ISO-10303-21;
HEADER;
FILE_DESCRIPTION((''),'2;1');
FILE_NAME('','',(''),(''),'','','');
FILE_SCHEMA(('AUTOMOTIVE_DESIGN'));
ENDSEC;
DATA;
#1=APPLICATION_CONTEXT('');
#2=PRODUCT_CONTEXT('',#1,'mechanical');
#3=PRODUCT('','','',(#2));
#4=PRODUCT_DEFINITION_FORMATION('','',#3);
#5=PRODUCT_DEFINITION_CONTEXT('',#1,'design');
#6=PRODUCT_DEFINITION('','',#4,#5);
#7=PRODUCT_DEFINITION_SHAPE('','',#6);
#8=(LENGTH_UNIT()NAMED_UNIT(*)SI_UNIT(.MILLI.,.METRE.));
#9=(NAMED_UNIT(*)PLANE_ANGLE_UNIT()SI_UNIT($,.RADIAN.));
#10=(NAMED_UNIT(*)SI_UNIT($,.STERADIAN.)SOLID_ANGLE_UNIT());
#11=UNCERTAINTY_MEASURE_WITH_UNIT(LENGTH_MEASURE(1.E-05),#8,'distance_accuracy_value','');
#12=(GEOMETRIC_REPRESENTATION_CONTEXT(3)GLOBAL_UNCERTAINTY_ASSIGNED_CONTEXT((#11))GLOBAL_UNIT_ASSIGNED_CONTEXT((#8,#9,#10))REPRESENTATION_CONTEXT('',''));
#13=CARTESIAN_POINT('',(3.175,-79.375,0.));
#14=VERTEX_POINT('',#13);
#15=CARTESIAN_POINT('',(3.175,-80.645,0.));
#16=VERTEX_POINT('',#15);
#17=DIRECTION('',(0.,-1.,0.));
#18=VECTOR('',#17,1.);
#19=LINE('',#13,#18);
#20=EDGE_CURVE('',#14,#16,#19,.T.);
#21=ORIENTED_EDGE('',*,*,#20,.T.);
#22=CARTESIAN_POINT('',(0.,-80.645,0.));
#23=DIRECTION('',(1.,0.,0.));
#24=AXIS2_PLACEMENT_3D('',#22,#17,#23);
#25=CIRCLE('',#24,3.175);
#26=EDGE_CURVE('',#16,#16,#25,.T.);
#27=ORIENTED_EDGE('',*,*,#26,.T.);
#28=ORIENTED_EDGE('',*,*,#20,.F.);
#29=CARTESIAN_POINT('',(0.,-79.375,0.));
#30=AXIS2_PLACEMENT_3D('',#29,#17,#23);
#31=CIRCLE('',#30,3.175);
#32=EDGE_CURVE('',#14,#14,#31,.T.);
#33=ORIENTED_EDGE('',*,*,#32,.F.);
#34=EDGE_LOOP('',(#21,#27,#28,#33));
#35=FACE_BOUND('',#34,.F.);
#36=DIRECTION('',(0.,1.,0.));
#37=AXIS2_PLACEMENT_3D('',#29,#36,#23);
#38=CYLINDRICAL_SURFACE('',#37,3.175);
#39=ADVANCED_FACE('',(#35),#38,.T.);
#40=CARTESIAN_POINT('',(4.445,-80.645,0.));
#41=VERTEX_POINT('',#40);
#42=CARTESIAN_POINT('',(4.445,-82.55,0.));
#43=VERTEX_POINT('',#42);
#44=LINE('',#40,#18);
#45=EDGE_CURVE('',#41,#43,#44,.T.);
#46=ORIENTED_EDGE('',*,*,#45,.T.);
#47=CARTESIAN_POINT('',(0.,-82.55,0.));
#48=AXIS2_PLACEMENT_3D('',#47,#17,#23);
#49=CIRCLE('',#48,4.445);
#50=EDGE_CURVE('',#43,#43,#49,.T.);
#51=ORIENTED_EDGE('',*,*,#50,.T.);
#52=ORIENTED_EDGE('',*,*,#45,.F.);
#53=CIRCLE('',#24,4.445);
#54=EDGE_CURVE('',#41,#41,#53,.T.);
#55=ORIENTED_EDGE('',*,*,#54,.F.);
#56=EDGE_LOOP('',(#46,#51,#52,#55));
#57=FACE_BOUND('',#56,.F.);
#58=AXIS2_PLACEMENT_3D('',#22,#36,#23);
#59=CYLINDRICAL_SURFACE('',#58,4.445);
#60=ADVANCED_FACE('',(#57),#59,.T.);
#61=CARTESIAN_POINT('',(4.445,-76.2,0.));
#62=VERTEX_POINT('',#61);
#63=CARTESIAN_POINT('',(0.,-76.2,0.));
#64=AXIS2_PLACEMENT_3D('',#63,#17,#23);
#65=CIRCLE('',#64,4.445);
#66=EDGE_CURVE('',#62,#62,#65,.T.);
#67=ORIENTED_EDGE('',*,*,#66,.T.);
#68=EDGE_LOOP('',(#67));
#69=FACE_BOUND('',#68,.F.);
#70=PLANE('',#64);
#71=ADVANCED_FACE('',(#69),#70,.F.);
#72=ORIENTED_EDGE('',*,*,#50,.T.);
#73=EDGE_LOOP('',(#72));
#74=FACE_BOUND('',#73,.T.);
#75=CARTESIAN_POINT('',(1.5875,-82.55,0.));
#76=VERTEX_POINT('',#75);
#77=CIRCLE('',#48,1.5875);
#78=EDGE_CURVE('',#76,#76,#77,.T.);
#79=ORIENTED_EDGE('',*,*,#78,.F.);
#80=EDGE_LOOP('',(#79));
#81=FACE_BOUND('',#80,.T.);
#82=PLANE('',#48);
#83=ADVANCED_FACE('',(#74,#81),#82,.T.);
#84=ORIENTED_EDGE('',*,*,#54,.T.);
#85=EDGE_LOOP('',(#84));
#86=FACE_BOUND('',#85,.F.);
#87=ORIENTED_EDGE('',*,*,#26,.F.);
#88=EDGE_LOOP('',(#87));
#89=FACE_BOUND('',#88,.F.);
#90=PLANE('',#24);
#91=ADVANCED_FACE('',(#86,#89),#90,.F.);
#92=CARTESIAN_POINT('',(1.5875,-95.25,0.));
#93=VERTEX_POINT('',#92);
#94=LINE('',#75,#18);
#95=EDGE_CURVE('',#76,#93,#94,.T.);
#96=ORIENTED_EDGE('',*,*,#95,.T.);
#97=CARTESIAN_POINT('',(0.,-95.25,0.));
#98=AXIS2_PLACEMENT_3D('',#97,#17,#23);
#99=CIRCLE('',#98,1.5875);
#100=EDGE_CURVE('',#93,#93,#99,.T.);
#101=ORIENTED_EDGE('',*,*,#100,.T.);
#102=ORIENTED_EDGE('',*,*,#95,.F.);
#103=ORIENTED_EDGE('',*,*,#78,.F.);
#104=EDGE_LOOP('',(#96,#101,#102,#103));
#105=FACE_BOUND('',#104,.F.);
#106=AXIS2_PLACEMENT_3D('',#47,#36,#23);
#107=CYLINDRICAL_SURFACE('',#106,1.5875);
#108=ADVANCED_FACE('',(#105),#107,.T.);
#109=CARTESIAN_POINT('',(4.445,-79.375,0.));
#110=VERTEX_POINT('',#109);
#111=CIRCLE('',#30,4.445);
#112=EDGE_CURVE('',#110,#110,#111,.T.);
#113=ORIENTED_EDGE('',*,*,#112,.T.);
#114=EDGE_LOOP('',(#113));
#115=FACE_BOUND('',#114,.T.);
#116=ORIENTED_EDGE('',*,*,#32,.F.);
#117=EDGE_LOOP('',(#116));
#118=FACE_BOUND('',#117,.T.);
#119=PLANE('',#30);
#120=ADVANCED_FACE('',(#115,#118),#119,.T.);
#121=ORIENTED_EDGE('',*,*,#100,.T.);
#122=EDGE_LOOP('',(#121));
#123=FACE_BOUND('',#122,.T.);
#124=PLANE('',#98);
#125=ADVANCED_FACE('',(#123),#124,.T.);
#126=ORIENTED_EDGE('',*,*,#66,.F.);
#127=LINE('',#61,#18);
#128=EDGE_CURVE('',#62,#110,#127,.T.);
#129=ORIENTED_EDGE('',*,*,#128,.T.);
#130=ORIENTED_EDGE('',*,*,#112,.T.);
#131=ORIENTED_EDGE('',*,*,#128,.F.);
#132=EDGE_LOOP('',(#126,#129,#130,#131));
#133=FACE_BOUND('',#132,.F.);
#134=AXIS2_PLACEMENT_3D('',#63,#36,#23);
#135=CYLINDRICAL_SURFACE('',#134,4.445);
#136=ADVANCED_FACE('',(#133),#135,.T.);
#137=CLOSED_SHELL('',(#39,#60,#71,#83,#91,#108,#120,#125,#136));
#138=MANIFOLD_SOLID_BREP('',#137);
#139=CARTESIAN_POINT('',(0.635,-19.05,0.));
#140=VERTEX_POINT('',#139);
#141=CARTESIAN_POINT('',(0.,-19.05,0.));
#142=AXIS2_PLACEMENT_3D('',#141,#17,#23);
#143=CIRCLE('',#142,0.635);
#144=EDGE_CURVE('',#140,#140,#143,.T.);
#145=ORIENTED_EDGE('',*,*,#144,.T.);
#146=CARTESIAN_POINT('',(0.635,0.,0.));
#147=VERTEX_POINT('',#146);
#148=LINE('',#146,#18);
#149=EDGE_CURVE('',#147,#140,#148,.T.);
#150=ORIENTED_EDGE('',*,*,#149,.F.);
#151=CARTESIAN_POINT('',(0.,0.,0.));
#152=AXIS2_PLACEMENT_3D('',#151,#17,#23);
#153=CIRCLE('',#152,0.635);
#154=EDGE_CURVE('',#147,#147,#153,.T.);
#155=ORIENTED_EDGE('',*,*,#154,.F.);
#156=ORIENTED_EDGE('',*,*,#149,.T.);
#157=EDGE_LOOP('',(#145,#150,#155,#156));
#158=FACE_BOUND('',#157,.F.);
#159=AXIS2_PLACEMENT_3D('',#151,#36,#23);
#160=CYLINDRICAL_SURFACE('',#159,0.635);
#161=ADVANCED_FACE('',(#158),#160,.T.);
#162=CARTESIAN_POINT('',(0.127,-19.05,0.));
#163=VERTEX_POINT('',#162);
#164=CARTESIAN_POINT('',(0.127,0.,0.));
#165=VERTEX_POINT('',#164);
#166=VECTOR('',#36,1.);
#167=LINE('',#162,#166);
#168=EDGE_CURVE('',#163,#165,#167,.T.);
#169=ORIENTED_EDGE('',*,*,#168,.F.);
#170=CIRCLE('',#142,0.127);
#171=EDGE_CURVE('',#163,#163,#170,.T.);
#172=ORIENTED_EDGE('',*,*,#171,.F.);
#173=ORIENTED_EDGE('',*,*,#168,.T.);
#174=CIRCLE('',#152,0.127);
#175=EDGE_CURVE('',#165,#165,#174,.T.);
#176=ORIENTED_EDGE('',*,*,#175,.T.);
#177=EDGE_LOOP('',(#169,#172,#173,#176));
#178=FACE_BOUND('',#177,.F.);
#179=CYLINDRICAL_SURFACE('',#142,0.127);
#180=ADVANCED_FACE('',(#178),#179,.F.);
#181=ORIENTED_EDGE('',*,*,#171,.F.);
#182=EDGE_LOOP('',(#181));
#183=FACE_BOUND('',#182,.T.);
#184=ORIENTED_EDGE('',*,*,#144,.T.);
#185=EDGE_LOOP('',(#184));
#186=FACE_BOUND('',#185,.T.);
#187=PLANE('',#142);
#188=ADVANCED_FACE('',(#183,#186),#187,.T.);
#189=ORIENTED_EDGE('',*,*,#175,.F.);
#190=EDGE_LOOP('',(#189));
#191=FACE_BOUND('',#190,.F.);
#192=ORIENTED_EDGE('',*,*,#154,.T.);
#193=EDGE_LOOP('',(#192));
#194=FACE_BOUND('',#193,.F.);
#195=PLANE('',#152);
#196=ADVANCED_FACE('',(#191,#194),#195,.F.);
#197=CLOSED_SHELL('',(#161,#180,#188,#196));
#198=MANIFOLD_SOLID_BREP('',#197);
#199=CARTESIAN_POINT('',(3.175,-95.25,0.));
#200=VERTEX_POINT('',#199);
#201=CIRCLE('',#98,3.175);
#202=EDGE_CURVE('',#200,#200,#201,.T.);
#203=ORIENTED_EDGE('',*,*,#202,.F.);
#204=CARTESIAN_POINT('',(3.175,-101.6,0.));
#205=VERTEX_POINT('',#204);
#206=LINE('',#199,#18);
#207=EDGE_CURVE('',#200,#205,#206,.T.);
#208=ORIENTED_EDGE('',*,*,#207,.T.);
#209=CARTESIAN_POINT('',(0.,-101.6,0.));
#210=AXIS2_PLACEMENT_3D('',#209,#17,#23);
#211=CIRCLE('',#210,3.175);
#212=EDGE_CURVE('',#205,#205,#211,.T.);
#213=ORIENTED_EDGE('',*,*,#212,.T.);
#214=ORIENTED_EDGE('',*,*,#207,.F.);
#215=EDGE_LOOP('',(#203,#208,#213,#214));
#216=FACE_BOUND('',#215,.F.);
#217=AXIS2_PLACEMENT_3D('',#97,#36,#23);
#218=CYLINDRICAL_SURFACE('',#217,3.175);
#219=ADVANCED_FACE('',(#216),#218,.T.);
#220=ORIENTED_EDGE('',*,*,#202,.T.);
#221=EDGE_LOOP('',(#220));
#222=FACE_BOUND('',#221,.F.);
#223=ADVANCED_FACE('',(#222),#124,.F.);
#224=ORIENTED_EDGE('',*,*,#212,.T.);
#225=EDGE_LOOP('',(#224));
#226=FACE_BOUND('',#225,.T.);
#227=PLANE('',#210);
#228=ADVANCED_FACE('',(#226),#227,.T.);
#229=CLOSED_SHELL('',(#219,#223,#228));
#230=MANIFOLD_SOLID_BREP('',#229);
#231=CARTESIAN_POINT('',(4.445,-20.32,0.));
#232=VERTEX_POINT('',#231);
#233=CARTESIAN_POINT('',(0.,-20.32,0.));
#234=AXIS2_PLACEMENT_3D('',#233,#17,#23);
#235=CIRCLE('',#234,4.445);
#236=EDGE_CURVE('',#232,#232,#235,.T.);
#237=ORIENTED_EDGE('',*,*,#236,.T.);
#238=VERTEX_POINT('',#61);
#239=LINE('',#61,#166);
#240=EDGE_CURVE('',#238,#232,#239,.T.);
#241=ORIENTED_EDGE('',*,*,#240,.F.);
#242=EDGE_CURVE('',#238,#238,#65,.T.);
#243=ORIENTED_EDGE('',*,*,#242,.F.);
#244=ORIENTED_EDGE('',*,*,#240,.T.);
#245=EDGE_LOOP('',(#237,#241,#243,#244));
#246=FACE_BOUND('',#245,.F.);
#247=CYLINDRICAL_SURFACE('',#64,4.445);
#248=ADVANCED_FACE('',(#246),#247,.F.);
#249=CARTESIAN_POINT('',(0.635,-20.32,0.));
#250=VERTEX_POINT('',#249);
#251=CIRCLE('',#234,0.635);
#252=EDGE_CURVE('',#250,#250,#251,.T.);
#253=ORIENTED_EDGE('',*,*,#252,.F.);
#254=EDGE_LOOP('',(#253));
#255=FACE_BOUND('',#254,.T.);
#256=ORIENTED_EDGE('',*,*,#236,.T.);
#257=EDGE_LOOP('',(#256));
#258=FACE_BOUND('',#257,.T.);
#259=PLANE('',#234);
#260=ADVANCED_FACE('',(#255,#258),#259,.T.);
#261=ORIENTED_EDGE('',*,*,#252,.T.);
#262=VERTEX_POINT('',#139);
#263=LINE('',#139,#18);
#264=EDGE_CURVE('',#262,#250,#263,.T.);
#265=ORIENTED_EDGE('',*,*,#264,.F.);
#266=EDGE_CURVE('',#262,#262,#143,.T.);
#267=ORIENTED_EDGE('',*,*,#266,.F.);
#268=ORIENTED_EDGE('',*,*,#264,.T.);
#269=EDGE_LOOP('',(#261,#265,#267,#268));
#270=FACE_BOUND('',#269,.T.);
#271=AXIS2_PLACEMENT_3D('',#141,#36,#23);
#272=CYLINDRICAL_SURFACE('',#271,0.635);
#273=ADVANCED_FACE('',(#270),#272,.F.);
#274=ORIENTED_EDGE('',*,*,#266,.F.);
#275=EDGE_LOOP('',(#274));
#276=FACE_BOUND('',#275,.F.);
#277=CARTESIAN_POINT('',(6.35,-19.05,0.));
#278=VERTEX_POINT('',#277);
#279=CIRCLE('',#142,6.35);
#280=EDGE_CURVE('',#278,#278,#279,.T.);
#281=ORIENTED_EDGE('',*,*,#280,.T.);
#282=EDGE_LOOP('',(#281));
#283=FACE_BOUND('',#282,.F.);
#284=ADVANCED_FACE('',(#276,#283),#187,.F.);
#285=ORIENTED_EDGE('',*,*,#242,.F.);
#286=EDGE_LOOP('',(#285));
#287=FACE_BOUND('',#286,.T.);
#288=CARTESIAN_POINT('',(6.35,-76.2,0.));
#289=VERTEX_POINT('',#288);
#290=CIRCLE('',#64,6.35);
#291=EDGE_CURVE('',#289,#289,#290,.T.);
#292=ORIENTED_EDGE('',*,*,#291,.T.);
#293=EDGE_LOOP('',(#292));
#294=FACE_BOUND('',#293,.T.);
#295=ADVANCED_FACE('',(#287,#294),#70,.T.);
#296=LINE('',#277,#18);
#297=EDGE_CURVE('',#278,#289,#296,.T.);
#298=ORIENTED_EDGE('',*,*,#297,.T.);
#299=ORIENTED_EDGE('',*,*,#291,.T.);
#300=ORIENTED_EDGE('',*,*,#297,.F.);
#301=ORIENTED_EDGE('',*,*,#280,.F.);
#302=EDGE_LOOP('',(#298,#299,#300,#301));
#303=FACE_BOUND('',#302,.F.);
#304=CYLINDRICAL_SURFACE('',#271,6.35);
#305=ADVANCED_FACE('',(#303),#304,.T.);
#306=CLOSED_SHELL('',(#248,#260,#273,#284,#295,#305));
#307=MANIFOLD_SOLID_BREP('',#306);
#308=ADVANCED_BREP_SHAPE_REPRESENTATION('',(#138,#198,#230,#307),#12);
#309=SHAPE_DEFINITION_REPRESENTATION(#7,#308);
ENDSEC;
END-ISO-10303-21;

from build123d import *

# Parameters (mm, degrees)
F0_R      = 0.635
F1_DEPTH  = 19.05
F2_R      = 0.127
F3_DEPTH  = 25.4
F4_R      = 6.35
F4_R_2    = 0.635
F5_DEPTH  = 57.15
F6_R      = 4.445
F6_R_2    = 0.635
F7_DEPTH  = 55.88
F8_R      = 4.445
F9_DEPTH  = 3.175
F10_R     = 3.175
F11_DEPTH = 1.27
F12_R     = 4.445
F12_R_2   = 3.175
F13_DEPTH = 1.905
F14_R     = 1.5875
F15_DEPTH = 12.7
F16_R     = 3.175
F16_R_2   = 1.5875
F17_DEPTH = 6.35


with BuildPart() as f1:
    # F0 (on Front) → F1 (new body)
    with BuildSketch(Plane.XZ):
        Circle(F0_R)
    extrude(amount=F1_DEPTH)

    # F2 (on face) → F3 (cut)
    with BuildSketch(Plane.XZ.offset(19.05)):
        Circle(F2_R)
    extrude(amount=-F3_DEPTH, mode=Mode.SUBTRACT)


with BuildPart() as f5:
    # F4 (on face) → F5 (new body)
    with BuildSketch(Plane.XZ.offset(19.05)):
        Circle(F4_R)
        Circle(F4_R_2, mode=Mode.SUBTRACT)
    extrude(amount=F5_DEPTH)

    # F6 (on face) → F7 (cut)
    with BuildSketch(Plane.XZ.offset(76.2)):
        Circle(F6_R)
        Circle(F6_R_2, mode=Mode.SUBTRACT)
    extrude(amount=-F7_DEPTH, mode=Mode.SUBTRACT)


with BuildPart() as f9:
    # F8 (on face) → F9 (new body)
    with BuildSketch(Plane.XZ.offset(76.2)):
        Circle(F8_R)
    extrude(amount=F9_DEPTH)

    # F10 (on face) → F11 (join)
    with BuildSketch(Plane.XZ.offset(79.375)):
        Circle(F10_R)
    extrude(amount=F11_DEPTH)

    # F12 (on face) → F13 (join)
    with BuildSketch(Plane.XZ.offset(80.645)):
        Circle(F12_R)
        Circle(F12_R_2, mode=Mode.SUBTRACT)
        Circle(F12_R_2)
    extrude(amount=F13_DEPTH)

    # F14 (on face) → F15 (join)
    with BuildSketch(Plane.XZ.offset(82.55)):
        Circle(F14_R)
    extrude(amount=F15_DEPTH)


with BuildPart() as f17:
    # F16 (on face) → F17 (new body)
    with BuildSketch(Plane.XZ.offset(95.25)):
        Circle(F16_R)
        Circle(F16_R_2, mode=Mode.SUBTRACT)
        Circle(F16_R_2)
    extrude(amount=F17_DEPTH)


solid = Compound([f1.part, f5.part, f9.part, f17.part])
